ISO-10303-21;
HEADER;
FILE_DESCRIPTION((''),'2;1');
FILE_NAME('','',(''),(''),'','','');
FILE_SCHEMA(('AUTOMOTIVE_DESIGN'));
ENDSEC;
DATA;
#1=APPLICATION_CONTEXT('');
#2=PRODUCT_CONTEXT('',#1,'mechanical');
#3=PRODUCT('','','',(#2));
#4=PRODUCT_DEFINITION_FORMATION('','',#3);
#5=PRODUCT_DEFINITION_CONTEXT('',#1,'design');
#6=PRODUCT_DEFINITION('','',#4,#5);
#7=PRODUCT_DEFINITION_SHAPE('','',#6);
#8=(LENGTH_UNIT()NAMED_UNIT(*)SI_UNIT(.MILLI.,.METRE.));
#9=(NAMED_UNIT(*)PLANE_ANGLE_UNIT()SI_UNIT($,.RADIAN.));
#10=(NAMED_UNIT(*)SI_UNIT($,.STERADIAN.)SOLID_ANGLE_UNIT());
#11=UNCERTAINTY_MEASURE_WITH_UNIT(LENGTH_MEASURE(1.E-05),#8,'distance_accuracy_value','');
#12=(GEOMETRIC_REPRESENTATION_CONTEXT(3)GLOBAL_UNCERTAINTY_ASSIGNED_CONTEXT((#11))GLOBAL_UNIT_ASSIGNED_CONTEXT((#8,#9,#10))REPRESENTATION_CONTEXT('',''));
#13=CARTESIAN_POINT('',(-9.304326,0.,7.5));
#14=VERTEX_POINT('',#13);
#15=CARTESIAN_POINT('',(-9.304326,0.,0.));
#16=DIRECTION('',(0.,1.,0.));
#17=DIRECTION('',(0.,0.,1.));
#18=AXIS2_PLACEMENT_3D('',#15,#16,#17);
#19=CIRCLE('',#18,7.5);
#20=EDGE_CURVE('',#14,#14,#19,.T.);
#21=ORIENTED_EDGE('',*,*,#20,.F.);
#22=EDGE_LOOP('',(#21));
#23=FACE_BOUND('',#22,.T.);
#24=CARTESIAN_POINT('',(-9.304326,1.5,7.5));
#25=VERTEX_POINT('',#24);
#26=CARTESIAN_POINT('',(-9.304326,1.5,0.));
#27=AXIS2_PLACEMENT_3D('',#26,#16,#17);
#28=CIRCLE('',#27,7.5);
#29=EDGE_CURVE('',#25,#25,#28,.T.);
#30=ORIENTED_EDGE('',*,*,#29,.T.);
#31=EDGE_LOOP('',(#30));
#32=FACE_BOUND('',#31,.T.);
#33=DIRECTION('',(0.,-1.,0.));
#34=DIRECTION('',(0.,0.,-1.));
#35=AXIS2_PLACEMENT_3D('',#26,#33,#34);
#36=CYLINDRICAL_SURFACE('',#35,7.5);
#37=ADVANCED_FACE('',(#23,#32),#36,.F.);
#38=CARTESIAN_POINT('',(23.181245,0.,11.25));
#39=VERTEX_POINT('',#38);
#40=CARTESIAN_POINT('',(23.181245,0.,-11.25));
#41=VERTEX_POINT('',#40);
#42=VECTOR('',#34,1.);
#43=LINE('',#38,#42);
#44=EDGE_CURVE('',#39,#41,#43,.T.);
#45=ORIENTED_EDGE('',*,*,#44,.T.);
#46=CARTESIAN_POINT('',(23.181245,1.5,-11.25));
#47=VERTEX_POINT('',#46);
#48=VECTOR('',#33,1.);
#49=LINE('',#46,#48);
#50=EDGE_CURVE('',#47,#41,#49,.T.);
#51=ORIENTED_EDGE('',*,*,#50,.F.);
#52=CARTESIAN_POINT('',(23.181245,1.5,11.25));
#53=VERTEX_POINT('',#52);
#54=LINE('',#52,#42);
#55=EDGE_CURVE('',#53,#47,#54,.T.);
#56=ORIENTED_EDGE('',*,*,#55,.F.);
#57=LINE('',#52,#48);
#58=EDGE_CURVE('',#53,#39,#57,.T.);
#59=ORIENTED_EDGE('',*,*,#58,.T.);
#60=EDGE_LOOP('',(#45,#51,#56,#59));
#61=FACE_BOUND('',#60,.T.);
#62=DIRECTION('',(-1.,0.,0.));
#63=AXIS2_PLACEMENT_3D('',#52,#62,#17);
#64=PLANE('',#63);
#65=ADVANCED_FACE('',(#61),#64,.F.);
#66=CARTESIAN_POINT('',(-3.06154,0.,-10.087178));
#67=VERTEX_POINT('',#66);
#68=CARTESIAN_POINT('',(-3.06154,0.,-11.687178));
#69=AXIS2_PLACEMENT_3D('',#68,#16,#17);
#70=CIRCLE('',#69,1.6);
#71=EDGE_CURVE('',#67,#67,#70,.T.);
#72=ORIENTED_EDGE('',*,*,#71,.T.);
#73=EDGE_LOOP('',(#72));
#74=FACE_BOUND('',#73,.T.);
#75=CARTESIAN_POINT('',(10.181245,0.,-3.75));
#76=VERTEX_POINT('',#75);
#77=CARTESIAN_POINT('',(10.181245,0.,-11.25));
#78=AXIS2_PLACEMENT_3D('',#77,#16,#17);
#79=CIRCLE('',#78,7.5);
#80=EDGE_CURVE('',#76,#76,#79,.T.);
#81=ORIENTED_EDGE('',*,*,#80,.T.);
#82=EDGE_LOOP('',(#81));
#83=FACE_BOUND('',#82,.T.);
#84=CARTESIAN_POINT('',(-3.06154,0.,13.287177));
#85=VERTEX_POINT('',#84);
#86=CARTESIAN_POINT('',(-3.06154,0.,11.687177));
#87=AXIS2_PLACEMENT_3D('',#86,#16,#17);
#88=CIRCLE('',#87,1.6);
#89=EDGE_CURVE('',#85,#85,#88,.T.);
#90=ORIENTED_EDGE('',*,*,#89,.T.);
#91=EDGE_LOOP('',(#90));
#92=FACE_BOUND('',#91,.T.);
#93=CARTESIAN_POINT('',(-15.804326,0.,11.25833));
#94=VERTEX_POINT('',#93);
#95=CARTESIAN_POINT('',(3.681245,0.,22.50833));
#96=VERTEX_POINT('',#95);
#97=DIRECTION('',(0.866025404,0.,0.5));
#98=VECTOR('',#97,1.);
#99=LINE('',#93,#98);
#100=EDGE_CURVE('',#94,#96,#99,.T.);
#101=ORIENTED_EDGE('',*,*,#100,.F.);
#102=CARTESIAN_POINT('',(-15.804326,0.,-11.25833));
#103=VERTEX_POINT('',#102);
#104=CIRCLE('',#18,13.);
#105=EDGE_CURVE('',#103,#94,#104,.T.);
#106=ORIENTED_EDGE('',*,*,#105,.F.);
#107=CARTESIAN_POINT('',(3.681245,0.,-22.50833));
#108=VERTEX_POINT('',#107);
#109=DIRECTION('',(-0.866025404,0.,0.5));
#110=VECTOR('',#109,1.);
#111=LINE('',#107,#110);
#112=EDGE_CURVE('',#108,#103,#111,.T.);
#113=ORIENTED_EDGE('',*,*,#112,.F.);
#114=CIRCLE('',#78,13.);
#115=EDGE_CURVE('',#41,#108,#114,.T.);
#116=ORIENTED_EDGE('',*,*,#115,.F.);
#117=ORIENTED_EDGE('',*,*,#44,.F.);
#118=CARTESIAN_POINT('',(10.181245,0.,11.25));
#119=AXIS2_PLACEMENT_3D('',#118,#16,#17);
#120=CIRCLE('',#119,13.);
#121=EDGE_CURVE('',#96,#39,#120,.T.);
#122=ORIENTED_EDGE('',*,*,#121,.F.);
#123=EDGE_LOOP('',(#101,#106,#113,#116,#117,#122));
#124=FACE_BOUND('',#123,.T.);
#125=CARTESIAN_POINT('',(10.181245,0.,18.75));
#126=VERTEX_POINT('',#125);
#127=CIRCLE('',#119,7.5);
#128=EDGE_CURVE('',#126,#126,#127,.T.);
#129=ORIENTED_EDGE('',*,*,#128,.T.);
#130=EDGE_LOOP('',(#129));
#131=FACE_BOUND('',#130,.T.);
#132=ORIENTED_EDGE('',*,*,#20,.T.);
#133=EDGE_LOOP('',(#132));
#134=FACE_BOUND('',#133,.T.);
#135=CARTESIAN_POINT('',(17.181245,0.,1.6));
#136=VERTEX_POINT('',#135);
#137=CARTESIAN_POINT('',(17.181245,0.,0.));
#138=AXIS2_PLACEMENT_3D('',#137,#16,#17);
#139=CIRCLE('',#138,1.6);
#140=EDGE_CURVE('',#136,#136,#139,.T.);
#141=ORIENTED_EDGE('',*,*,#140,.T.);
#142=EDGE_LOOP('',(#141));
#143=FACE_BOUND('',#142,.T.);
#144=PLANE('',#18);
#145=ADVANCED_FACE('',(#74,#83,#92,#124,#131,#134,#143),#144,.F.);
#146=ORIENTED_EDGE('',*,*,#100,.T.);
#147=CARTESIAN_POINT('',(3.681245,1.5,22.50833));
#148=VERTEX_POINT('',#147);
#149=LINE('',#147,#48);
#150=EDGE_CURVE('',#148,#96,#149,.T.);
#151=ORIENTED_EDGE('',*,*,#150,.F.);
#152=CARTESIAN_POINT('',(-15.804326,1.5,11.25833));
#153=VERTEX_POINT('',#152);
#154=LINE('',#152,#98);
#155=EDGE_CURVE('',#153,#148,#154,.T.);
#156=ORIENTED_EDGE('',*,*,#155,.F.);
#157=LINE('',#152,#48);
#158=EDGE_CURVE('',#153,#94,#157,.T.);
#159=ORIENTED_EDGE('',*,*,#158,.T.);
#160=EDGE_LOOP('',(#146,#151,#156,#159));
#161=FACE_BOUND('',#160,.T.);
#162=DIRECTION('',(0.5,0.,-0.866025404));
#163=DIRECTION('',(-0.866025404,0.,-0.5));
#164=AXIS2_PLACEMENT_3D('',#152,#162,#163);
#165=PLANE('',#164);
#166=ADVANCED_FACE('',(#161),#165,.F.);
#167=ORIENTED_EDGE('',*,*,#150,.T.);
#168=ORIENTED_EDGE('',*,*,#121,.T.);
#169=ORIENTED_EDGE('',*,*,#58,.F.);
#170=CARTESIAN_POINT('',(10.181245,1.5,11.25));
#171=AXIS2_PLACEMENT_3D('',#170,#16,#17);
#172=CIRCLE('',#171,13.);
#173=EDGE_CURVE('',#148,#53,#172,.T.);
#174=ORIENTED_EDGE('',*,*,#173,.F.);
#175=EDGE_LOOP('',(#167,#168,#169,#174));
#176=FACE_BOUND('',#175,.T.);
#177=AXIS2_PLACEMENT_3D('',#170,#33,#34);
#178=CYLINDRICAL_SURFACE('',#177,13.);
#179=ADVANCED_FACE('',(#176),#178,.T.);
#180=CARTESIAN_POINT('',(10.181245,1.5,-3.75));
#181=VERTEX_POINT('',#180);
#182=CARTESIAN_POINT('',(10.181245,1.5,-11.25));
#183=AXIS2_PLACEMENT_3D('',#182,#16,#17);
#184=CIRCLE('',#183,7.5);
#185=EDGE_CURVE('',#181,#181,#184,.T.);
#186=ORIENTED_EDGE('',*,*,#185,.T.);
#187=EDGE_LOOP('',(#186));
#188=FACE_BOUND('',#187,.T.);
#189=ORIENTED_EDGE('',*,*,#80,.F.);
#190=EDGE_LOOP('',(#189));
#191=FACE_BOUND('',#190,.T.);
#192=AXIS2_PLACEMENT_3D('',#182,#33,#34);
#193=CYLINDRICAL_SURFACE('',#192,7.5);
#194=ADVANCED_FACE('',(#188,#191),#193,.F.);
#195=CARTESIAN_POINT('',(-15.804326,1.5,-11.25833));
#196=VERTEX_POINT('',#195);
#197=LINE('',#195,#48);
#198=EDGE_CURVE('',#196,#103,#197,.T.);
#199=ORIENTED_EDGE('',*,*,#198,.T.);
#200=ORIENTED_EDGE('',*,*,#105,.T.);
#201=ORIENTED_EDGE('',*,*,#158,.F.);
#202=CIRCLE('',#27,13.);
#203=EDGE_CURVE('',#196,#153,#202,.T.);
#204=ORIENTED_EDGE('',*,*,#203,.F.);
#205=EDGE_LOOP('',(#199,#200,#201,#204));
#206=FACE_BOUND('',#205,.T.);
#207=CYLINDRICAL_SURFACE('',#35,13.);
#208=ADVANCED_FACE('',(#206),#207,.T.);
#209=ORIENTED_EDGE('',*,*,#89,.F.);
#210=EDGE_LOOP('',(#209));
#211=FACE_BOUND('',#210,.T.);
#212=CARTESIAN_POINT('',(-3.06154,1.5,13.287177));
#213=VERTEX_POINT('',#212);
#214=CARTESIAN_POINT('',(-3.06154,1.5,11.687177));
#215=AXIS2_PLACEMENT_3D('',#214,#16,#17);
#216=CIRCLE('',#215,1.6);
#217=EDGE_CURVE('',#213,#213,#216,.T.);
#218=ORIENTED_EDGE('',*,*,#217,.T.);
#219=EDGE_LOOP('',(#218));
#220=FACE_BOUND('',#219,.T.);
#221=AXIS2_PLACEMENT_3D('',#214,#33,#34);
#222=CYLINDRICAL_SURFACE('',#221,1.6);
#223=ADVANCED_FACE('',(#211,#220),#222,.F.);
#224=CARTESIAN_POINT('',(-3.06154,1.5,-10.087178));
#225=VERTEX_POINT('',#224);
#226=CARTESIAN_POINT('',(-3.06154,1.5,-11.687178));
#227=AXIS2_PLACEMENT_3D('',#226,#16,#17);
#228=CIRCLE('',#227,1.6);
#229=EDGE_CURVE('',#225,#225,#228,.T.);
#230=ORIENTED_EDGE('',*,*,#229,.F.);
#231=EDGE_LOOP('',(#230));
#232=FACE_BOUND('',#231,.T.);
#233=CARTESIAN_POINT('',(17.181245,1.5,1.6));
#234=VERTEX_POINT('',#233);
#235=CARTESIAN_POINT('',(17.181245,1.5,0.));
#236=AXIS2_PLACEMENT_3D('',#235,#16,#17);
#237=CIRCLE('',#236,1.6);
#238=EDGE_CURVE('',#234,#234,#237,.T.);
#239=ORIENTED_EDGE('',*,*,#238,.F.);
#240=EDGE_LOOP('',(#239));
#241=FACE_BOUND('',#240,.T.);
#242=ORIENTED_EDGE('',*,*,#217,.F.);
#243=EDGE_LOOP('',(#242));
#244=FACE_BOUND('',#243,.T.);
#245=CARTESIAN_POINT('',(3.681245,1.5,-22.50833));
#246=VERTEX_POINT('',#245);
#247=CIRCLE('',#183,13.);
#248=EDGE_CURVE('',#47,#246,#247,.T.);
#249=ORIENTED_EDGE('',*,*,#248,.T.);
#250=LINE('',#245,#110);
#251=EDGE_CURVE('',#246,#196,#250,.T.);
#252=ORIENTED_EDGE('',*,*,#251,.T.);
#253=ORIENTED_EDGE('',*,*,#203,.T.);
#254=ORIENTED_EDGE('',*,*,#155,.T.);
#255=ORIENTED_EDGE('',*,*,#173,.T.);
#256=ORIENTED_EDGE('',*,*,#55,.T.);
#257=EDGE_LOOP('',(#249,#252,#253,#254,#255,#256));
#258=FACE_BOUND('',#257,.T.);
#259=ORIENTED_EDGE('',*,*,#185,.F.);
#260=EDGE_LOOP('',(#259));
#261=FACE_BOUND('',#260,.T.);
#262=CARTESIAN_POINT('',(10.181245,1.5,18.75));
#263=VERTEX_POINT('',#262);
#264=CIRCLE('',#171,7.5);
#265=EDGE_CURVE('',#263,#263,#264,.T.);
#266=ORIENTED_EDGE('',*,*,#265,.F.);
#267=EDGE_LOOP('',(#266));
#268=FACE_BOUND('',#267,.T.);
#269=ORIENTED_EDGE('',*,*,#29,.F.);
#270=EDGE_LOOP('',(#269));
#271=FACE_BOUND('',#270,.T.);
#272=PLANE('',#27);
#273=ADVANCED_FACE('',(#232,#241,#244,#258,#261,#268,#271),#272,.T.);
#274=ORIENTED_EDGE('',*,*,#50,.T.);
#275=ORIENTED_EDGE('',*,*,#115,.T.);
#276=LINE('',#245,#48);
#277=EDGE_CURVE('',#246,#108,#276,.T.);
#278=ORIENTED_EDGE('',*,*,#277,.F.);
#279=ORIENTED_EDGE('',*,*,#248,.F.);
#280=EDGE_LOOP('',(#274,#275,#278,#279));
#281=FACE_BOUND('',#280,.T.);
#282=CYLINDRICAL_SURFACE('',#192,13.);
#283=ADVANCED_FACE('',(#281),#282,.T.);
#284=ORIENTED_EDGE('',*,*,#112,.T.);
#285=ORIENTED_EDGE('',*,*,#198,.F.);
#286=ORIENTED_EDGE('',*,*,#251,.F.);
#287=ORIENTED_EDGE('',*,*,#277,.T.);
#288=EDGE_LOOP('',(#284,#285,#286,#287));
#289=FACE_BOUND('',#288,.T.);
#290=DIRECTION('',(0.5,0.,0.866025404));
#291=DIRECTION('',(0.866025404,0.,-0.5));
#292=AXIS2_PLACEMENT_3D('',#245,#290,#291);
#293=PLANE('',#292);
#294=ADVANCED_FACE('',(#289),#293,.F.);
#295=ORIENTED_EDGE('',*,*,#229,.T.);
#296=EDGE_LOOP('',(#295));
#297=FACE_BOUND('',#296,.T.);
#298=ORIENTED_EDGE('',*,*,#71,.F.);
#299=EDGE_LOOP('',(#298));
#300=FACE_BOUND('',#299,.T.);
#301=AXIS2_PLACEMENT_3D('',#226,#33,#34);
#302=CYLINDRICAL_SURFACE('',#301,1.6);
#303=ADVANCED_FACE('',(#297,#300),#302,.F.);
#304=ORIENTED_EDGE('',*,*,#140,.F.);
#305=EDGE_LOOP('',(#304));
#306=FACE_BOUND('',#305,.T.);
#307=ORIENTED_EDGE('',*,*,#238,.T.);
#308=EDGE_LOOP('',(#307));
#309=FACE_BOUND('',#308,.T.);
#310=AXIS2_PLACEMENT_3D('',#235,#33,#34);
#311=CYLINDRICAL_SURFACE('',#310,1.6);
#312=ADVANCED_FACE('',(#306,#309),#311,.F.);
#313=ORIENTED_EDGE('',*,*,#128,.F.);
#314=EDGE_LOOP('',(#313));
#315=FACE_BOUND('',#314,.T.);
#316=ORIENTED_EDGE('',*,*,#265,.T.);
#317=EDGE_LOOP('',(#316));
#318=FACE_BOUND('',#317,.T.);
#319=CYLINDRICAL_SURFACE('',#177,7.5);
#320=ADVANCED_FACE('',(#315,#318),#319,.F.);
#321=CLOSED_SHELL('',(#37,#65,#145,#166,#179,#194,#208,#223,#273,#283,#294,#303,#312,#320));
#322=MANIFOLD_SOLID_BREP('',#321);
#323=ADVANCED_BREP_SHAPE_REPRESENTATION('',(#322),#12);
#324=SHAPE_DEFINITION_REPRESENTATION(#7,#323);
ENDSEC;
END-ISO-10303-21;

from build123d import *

# Parameters (mm, degrees)
SKETCH1_R           = 7.5
SKETCH1_R_2         = 1.6
SKETCH1_R_3         = 1.599999998
BOSS_EXTRUDE1_DEPTH = 1.5


with BuildPart() as part:
    # Sketch1 → Boss-Extrude1 (new body)
    with BuildSketch(Plane(origin=(0, 0, 0), x_dir=(1, 0, 0), z_dir=(0, 1, 0))):
        with BuildLine():
            Line((-15.804326324, -11.258330249), (3.681245261, -22.508330249))
            ThreePointArc((3.681245261, -22.508330249), (16.681245261, -22.508330249), (23.181245261, -11.25))
            Line((23.181245261, -11.25), (23.181245261, 11.25))
            ThreePointArc((23.181245261, 11.25), (16.681245261, 22.508330249), (3.681245261, 22.508330249))
            Line((3.681245261, 22.508330249), (-15.804326324, 11.258330249))
            ThreePointArc((-15.804326324, 11.258330249), (-22.304326324, 0), (-15.804326324, -11.258330249))
        make_face()
        with Locations((-9.304326324, 0)):
            Circle(SKETCH1_R, mode=Mode.SUBTRACT)
        with Locations((-3.06154027, 11.687177858)):
            Circle(SKETCH1_R_2, mode=Mode.SUBTRACT)
        with Locations((17.181245264, 0)):
            Circle(SKETCH1_R_3, mode=Mode.SUBTRACT)
        with Locations((10.181245261, -11.25)):
            Circle(SKETCH1_R, mode=Mode.SUBTRACT)
        with Locations((10.181245261, 11.25)):
            Circle(SKETCH1_R, mode=Mode.SUBTRACT)
        with Locations((-3.06154027, -11.687177373)):
            Circle(SKETCH1_R_2, mode=Mode.SUBTRACT)
    extrude(amount=BOSS_EXTRUDE1_DEPTH)


solid = part.part
